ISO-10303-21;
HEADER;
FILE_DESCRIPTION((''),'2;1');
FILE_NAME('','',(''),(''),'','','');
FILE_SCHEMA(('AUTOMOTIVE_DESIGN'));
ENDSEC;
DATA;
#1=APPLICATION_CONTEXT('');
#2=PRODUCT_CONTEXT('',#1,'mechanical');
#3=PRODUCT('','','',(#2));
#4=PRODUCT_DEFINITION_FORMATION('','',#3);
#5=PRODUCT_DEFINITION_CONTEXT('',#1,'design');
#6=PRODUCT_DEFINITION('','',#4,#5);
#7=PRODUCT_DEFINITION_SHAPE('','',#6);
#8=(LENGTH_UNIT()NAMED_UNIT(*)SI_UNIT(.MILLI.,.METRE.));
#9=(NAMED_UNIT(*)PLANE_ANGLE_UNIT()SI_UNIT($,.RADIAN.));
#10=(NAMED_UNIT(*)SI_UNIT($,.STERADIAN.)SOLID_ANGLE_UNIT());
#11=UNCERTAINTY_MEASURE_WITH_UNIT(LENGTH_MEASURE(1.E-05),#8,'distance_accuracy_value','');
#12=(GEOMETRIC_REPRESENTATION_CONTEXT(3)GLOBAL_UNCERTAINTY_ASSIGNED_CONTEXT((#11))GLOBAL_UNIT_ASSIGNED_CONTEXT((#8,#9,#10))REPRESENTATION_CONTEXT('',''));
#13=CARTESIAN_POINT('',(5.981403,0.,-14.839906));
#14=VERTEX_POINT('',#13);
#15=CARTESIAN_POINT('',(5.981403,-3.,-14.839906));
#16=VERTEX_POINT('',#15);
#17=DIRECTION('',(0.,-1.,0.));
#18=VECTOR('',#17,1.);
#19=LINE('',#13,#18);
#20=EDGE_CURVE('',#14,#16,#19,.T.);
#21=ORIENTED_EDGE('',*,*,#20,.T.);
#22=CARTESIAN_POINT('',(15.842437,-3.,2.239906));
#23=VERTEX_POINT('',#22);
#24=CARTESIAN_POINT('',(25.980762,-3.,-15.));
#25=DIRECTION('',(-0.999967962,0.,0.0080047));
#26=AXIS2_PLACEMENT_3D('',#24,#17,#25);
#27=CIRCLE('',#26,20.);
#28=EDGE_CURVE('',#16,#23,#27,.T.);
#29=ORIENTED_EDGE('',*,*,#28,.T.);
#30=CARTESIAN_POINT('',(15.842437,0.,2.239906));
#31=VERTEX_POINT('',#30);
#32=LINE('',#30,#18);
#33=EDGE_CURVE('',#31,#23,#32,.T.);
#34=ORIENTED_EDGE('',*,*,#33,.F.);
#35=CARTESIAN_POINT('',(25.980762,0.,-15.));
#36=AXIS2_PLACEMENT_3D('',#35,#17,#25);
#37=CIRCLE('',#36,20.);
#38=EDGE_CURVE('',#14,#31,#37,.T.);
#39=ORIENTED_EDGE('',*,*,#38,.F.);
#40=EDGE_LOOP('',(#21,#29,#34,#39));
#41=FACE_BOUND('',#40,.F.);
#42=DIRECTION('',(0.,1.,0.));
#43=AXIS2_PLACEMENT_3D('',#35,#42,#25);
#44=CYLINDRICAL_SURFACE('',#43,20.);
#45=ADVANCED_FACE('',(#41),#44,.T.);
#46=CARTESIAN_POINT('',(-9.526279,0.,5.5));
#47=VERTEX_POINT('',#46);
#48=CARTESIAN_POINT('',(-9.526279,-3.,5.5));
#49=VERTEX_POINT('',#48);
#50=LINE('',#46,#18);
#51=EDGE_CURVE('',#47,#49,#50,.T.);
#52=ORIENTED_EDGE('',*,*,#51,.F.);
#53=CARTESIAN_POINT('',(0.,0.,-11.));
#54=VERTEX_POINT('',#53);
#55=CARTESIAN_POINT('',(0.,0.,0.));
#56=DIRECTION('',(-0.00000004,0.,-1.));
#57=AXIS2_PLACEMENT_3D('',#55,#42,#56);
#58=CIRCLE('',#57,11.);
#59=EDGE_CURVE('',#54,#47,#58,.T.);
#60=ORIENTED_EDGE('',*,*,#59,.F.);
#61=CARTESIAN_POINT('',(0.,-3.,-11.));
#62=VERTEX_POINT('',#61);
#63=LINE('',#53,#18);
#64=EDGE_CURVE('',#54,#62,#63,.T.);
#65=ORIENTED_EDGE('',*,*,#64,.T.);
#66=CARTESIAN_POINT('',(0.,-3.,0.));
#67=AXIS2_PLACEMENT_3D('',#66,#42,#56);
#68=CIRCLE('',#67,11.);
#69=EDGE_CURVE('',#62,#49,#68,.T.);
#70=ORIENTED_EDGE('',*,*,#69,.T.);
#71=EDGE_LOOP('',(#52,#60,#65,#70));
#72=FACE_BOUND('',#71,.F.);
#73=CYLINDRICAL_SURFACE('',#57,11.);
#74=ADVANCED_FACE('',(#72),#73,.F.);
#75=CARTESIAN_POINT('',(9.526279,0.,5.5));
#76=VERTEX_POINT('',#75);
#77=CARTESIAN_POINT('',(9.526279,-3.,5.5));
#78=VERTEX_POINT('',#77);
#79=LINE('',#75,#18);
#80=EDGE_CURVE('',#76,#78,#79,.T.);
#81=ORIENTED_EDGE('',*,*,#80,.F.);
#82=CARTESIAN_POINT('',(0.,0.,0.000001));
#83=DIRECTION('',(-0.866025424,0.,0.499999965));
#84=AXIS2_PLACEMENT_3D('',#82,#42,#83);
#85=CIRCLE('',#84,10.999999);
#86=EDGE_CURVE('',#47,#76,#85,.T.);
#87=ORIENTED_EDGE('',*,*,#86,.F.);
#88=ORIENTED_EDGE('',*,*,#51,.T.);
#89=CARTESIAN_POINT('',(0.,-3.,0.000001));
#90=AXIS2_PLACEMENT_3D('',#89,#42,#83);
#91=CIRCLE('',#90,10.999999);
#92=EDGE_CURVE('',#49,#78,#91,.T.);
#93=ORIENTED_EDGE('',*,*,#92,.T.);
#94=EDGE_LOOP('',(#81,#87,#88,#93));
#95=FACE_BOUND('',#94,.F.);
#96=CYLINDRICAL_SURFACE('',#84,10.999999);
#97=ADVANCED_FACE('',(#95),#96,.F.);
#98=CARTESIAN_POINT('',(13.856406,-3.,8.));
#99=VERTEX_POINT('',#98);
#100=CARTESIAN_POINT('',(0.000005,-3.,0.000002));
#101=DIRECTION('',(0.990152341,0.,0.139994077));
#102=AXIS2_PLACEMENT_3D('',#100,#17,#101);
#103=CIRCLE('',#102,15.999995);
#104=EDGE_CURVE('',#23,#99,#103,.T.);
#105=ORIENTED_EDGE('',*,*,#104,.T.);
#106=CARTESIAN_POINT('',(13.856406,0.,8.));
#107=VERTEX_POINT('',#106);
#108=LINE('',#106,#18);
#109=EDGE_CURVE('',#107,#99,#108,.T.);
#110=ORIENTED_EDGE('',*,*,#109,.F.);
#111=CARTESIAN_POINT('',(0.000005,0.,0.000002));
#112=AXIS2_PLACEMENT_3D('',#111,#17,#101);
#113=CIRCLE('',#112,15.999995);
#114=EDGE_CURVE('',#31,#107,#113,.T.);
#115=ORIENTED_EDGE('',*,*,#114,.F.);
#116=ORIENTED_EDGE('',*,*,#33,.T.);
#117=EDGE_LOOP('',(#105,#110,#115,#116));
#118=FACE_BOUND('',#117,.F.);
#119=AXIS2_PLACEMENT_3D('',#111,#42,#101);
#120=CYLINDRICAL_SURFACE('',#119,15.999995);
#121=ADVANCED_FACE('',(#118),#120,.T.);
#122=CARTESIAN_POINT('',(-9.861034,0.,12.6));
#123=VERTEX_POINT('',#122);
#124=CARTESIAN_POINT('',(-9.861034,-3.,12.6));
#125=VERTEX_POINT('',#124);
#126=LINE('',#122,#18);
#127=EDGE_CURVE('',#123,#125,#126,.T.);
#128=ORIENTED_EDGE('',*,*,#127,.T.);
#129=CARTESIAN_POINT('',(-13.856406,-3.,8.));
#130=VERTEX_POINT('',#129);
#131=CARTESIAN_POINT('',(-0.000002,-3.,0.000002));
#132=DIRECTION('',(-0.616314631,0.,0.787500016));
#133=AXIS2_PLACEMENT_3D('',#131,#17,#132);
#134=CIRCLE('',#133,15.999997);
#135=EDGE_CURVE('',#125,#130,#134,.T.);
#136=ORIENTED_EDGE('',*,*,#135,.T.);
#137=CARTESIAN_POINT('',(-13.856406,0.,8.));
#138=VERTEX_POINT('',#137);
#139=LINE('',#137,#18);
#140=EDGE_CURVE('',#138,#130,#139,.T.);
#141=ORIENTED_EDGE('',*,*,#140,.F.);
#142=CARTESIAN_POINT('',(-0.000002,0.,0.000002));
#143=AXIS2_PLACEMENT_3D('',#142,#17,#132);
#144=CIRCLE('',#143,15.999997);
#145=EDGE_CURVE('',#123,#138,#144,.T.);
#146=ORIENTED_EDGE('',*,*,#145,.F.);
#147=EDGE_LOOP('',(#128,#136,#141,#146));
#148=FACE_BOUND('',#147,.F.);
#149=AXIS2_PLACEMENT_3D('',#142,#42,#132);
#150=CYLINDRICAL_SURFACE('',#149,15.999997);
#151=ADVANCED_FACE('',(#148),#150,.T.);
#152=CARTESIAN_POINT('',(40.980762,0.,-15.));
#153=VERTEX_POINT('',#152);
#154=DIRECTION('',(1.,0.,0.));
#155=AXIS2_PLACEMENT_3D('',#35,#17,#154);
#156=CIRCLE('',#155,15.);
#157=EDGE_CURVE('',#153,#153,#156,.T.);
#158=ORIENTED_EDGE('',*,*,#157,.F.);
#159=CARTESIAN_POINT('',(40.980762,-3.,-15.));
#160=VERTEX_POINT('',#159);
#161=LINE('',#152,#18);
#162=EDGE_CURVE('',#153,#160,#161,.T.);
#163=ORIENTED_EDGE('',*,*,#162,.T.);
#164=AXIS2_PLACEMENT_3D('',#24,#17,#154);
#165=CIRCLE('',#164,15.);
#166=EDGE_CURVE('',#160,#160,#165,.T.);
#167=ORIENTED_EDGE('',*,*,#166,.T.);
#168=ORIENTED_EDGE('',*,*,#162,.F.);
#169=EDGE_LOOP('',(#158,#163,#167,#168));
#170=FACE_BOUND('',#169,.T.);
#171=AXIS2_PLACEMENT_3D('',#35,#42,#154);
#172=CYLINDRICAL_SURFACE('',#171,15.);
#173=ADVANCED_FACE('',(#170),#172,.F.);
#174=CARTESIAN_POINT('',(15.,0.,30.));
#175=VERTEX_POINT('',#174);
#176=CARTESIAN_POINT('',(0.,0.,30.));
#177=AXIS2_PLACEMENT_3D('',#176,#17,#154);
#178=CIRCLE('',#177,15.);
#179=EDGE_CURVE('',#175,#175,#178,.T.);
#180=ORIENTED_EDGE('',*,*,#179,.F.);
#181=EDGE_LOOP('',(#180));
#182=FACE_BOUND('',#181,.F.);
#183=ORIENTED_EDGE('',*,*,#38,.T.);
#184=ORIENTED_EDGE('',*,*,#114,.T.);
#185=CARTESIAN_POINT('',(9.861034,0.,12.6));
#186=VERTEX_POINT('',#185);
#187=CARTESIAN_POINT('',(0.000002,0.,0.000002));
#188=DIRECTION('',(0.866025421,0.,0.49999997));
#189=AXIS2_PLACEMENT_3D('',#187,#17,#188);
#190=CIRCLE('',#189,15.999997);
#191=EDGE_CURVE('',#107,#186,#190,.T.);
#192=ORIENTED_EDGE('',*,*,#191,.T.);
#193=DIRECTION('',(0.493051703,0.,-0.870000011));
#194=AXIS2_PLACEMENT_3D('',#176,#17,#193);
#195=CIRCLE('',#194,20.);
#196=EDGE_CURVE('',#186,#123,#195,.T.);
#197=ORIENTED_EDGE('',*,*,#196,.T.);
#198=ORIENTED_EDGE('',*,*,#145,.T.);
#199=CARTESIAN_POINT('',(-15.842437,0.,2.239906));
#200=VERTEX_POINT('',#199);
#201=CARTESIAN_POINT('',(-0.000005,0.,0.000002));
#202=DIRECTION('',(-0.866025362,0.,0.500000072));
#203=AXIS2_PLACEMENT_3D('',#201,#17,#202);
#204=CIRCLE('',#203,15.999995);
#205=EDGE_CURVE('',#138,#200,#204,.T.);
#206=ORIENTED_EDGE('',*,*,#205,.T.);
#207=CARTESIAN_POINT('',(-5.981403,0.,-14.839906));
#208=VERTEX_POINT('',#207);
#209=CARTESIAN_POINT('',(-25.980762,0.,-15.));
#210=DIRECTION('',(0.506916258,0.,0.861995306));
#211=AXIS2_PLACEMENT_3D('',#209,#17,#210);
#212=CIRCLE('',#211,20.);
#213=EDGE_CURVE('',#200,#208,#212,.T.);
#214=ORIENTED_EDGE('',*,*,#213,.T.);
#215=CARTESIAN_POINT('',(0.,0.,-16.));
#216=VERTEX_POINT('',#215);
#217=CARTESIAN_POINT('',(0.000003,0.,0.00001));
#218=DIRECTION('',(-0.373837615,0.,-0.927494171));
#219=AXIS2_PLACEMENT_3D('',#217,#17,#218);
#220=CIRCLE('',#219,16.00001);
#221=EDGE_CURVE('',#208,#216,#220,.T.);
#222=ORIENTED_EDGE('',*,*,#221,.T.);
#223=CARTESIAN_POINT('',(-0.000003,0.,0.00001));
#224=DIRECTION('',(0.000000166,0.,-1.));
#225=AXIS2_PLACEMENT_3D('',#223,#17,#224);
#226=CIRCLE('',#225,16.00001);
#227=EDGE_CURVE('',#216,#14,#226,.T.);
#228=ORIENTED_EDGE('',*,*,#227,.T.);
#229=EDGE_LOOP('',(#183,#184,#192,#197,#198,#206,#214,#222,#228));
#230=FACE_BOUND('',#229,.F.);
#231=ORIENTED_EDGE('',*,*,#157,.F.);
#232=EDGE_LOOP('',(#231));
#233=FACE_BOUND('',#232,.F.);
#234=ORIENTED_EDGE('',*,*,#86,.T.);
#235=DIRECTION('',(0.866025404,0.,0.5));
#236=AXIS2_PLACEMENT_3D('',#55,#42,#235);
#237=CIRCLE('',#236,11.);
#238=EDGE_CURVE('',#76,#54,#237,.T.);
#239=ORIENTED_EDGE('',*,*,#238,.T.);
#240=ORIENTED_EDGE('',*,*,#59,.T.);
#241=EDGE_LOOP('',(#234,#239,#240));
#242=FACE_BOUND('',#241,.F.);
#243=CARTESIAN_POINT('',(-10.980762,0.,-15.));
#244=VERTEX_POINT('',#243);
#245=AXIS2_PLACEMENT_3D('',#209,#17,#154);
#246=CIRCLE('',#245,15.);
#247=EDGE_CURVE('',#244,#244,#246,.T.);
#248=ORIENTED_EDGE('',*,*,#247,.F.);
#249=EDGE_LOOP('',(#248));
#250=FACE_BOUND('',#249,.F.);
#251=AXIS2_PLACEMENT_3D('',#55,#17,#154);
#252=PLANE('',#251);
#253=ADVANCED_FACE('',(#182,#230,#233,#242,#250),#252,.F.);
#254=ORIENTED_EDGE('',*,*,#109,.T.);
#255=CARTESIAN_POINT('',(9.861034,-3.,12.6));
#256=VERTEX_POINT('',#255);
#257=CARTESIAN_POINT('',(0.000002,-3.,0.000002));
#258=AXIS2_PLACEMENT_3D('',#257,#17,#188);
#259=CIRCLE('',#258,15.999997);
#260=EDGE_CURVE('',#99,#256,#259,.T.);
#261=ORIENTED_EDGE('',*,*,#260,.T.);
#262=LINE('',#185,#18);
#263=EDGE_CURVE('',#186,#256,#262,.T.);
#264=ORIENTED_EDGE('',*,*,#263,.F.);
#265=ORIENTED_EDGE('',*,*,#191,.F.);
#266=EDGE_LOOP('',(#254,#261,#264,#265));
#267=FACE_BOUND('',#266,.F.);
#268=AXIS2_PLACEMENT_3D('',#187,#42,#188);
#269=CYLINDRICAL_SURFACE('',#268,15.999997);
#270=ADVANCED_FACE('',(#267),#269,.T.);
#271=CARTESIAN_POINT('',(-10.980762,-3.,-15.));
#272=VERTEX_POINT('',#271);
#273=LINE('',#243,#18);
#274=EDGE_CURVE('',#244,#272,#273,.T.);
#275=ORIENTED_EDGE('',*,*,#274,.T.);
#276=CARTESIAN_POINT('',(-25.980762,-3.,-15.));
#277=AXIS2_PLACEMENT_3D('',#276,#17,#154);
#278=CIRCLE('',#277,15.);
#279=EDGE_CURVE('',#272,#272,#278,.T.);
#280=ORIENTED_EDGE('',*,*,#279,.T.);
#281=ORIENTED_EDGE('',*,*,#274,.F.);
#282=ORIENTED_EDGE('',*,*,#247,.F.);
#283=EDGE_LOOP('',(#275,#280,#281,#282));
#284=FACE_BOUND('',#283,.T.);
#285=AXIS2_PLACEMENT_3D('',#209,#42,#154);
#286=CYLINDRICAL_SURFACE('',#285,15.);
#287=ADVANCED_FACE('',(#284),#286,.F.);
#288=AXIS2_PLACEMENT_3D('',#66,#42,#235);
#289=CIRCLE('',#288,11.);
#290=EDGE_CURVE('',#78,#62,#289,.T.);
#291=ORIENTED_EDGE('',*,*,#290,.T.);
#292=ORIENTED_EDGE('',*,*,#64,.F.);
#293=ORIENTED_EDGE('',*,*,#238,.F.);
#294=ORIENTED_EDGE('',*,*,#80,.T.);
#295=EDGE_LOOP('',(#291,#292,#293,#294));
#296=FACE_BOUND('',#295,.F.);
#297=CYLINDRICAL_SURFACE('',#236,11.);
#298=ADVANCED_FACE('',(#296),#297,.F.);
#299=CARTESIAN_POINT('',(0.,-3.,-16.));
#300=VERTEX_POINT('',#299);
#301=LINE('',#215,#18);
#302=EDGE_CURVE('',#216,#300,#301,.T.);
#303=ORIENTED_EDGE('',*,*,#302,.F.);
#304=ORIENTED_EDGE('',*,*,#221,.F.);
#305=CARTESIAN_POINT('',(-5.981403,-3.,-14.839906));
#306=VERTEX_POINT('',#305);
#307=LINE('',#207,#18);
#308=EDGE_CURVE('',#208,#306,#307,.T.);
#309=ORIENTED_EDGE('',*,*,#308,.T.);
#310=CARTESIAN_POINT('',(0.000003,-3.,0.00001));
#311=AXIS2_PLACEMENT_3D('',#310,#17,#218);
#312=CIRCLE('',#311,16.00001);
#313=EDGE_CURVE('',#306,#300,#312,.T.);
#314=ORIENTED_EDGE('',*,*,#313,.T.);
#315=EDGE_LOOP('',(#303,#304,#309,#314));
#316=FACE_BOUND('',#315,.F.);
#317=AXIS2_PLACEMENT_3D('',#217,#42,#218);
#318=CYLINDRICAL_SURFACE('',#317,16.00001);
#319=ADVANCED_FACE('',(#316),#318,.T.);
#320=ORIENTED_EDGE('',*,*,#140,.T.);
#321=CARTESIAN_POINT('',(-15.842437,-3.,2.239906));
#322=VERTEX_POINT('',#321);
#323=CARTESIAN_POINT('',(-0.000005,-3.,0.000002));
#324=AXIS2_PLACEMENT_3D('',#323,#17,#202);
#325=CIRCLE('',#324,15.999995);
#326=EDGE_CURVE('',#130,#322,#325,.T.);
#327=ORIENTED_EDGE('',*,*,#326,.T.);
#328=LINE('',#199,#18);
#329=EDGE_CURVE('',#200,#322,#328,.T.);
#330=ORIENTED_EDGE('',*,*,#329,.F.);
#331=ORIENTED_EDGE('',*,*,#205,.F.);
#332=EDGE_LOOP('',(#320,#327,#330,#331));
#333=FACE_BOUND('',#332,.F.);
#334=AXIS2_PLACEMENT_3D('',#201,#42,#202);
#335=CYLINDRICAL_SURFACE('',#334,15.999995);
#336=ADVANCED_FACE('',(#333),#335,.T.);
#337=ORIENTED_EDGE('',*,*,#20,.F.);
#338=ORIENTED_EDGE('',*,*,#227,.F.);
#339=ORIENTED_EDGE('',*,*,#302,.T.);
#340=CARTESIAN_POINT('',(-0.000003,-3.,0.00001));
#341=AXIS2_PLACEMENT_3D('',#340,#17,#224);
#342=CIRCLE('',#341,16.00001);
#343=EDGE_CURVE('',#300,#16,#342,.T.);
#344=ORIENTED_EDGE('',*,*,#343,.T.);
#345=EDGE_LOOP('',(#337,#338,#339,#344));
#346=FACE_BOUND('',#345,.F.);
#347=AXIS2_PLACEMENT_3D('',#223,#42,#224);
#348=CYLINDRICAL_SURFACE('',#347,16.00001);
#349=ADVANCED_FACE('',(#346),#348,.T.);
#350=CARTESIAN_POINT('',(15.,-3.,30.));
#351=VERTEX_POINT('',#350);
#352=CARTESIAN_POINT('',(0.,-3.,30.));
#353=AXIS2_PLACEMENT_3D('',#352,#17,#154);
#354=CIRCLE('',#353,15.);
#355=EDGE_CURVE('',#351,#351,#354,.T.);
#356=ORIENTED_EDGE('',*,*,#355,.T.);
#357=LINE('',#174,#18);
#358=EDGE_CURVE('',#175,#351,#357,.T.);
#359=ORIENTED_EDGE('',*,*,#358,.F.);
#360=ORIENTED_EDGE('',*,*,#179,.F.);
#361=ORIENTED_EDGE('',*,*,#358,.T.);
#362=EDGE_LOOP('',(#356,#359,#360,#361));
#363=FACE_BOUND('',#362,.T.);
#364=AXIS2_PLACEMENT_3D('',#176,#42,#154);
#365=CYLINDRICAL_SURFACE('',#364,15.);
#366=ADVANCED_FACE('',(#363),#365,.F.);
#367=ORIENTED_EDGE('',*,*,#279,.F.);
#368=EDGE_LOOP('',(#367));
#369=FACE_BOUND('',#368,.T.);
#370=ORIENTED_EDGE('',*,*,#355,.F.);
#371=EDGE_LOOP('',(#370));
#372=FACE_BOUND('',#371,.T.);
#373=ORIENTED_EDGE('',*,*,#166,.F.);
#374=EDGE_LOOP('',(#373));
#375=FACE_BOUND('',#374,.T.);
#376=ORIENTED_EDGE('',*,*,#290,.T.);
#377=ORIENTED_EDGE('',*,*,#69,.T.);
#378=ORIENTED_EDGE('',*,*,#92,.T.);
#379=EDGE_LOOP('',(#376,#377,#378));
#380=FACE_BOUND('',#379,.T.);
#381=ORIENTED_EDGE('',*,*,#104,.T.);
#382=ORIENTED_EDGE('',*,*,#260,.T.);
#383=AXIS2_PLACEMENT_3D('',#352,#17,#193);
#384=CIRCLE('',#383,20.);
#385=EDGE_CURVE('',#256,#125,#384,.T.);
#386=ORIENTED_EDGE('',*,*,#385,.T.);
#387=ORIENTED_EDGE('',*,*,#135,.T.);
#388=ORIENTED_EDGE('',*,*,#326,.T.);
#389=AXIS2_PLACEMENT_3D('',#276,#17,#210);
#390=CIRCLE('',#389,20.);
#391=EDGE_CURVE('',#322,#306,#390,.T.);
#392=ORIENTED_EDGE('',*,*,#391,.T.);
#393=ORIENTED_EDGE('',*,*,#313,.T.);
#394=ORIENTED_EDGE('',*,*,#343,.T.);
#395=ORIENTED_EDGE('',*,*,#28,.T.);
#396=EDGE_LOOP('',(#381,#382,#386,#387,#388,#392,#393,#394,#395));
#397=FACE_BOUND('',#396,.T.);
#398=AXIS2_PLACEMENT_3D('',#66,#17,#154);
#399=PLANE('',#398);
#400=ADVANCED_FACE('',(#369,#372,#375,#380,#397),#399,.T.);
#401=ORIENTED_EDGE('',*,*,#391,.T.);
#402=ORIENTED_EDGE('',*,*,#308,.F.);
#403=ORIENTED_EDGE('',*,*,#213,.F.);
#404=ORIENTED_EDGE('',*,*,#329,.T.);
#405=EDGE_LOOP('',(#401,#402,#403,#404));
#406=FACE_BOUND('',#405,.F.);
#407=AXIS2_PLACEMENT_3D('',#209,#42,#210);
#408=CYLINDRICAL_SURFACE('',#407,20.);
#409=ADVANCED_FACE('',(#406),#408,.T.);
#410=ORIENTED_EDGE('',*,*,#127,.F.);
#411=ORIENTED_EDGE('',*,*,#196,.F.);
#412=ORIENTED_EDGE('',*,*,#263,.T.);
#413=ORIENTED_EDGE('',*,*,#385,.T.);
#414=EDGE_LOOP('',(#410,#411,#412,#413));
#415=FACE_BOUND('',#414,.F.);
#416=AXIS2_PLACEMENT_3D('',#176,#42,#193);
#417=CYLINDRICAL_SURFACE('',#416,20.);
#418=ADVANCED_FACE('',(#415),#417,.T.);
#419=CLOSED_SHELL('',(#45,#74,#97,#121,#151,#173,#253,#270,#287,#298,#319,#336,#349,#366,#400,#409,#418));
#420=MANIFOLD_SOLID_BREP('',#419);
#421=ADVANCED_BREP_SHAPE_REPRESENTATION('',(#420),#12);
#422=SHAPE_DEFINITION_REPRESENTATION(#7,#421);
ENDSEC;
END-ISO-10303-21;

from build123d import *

# Parameters (mm, degrees)
F0_R     = 15
F1_DEPTH = 3


with BuildPart() as f1:
    # F0 (on Front) → F1 (new body)
    with BuildSketch(Plane.XZ):
        with BuildLine():
            ThreePointArc((13.856406, 8), (12.079704, 10.491937), (9.861034, 12.6))
            ThreePointArc((9.861034, 12.6), (0, 50), (-9.861034, 12.6))
            ThreePointArc((-9.861034, 12.6), (-12.079704, 10.491937), (-13.856406, 8))
            ThreePointArc((-13.856406, 8), (-15.126136, 5.215362), (-15.842437, 2.239906))
            ThreePointArc((-15.842437, 2.239906), (-43.30127, -25), (-5.981403, -14.839906))
            ThreePointArc((-5.981403, -14.839906), (-3.046432, -15.707299), (0, -16))
            ThreePointArc((0, -16), (3.046432, -15.707299), (5.981403, -14.839906))
            ThreePointArc((5.981403, -14.839906), (43.30127, -25), (15.842437, 2.239906))
            ThreePointArc((15.842437, 2.239906), (15.126136, 5.215362), (13.856406, 8))
        make_face()
        with Locations((-25.980762, -15)):
            Circle(F0_R, mode=Mode.SUBTRACT)
        with Locations((25.980762, -15)):
            Circle(F0_R, mode=Mode.SUBTRACT)
        with BuildLine():
            ThreePointArc((-9.526279, 5.5), (0, 11), (9.526279, 5.5))
            ThreePointArc((9.526279, 5.5), (9.526279, -5.5), (0, -11))
            ThreePointArc((0, -11), (-9.526279, -5.5), (-9.526279, 5.5))
        make_face(mode=Mode.SUBTRACT)
        with Locations((0, 30)):
            Circle(F0_R, mode=Mode.SUBTRACT)
    extrude(amount=F1_DEPTH)


solid = f1.part
